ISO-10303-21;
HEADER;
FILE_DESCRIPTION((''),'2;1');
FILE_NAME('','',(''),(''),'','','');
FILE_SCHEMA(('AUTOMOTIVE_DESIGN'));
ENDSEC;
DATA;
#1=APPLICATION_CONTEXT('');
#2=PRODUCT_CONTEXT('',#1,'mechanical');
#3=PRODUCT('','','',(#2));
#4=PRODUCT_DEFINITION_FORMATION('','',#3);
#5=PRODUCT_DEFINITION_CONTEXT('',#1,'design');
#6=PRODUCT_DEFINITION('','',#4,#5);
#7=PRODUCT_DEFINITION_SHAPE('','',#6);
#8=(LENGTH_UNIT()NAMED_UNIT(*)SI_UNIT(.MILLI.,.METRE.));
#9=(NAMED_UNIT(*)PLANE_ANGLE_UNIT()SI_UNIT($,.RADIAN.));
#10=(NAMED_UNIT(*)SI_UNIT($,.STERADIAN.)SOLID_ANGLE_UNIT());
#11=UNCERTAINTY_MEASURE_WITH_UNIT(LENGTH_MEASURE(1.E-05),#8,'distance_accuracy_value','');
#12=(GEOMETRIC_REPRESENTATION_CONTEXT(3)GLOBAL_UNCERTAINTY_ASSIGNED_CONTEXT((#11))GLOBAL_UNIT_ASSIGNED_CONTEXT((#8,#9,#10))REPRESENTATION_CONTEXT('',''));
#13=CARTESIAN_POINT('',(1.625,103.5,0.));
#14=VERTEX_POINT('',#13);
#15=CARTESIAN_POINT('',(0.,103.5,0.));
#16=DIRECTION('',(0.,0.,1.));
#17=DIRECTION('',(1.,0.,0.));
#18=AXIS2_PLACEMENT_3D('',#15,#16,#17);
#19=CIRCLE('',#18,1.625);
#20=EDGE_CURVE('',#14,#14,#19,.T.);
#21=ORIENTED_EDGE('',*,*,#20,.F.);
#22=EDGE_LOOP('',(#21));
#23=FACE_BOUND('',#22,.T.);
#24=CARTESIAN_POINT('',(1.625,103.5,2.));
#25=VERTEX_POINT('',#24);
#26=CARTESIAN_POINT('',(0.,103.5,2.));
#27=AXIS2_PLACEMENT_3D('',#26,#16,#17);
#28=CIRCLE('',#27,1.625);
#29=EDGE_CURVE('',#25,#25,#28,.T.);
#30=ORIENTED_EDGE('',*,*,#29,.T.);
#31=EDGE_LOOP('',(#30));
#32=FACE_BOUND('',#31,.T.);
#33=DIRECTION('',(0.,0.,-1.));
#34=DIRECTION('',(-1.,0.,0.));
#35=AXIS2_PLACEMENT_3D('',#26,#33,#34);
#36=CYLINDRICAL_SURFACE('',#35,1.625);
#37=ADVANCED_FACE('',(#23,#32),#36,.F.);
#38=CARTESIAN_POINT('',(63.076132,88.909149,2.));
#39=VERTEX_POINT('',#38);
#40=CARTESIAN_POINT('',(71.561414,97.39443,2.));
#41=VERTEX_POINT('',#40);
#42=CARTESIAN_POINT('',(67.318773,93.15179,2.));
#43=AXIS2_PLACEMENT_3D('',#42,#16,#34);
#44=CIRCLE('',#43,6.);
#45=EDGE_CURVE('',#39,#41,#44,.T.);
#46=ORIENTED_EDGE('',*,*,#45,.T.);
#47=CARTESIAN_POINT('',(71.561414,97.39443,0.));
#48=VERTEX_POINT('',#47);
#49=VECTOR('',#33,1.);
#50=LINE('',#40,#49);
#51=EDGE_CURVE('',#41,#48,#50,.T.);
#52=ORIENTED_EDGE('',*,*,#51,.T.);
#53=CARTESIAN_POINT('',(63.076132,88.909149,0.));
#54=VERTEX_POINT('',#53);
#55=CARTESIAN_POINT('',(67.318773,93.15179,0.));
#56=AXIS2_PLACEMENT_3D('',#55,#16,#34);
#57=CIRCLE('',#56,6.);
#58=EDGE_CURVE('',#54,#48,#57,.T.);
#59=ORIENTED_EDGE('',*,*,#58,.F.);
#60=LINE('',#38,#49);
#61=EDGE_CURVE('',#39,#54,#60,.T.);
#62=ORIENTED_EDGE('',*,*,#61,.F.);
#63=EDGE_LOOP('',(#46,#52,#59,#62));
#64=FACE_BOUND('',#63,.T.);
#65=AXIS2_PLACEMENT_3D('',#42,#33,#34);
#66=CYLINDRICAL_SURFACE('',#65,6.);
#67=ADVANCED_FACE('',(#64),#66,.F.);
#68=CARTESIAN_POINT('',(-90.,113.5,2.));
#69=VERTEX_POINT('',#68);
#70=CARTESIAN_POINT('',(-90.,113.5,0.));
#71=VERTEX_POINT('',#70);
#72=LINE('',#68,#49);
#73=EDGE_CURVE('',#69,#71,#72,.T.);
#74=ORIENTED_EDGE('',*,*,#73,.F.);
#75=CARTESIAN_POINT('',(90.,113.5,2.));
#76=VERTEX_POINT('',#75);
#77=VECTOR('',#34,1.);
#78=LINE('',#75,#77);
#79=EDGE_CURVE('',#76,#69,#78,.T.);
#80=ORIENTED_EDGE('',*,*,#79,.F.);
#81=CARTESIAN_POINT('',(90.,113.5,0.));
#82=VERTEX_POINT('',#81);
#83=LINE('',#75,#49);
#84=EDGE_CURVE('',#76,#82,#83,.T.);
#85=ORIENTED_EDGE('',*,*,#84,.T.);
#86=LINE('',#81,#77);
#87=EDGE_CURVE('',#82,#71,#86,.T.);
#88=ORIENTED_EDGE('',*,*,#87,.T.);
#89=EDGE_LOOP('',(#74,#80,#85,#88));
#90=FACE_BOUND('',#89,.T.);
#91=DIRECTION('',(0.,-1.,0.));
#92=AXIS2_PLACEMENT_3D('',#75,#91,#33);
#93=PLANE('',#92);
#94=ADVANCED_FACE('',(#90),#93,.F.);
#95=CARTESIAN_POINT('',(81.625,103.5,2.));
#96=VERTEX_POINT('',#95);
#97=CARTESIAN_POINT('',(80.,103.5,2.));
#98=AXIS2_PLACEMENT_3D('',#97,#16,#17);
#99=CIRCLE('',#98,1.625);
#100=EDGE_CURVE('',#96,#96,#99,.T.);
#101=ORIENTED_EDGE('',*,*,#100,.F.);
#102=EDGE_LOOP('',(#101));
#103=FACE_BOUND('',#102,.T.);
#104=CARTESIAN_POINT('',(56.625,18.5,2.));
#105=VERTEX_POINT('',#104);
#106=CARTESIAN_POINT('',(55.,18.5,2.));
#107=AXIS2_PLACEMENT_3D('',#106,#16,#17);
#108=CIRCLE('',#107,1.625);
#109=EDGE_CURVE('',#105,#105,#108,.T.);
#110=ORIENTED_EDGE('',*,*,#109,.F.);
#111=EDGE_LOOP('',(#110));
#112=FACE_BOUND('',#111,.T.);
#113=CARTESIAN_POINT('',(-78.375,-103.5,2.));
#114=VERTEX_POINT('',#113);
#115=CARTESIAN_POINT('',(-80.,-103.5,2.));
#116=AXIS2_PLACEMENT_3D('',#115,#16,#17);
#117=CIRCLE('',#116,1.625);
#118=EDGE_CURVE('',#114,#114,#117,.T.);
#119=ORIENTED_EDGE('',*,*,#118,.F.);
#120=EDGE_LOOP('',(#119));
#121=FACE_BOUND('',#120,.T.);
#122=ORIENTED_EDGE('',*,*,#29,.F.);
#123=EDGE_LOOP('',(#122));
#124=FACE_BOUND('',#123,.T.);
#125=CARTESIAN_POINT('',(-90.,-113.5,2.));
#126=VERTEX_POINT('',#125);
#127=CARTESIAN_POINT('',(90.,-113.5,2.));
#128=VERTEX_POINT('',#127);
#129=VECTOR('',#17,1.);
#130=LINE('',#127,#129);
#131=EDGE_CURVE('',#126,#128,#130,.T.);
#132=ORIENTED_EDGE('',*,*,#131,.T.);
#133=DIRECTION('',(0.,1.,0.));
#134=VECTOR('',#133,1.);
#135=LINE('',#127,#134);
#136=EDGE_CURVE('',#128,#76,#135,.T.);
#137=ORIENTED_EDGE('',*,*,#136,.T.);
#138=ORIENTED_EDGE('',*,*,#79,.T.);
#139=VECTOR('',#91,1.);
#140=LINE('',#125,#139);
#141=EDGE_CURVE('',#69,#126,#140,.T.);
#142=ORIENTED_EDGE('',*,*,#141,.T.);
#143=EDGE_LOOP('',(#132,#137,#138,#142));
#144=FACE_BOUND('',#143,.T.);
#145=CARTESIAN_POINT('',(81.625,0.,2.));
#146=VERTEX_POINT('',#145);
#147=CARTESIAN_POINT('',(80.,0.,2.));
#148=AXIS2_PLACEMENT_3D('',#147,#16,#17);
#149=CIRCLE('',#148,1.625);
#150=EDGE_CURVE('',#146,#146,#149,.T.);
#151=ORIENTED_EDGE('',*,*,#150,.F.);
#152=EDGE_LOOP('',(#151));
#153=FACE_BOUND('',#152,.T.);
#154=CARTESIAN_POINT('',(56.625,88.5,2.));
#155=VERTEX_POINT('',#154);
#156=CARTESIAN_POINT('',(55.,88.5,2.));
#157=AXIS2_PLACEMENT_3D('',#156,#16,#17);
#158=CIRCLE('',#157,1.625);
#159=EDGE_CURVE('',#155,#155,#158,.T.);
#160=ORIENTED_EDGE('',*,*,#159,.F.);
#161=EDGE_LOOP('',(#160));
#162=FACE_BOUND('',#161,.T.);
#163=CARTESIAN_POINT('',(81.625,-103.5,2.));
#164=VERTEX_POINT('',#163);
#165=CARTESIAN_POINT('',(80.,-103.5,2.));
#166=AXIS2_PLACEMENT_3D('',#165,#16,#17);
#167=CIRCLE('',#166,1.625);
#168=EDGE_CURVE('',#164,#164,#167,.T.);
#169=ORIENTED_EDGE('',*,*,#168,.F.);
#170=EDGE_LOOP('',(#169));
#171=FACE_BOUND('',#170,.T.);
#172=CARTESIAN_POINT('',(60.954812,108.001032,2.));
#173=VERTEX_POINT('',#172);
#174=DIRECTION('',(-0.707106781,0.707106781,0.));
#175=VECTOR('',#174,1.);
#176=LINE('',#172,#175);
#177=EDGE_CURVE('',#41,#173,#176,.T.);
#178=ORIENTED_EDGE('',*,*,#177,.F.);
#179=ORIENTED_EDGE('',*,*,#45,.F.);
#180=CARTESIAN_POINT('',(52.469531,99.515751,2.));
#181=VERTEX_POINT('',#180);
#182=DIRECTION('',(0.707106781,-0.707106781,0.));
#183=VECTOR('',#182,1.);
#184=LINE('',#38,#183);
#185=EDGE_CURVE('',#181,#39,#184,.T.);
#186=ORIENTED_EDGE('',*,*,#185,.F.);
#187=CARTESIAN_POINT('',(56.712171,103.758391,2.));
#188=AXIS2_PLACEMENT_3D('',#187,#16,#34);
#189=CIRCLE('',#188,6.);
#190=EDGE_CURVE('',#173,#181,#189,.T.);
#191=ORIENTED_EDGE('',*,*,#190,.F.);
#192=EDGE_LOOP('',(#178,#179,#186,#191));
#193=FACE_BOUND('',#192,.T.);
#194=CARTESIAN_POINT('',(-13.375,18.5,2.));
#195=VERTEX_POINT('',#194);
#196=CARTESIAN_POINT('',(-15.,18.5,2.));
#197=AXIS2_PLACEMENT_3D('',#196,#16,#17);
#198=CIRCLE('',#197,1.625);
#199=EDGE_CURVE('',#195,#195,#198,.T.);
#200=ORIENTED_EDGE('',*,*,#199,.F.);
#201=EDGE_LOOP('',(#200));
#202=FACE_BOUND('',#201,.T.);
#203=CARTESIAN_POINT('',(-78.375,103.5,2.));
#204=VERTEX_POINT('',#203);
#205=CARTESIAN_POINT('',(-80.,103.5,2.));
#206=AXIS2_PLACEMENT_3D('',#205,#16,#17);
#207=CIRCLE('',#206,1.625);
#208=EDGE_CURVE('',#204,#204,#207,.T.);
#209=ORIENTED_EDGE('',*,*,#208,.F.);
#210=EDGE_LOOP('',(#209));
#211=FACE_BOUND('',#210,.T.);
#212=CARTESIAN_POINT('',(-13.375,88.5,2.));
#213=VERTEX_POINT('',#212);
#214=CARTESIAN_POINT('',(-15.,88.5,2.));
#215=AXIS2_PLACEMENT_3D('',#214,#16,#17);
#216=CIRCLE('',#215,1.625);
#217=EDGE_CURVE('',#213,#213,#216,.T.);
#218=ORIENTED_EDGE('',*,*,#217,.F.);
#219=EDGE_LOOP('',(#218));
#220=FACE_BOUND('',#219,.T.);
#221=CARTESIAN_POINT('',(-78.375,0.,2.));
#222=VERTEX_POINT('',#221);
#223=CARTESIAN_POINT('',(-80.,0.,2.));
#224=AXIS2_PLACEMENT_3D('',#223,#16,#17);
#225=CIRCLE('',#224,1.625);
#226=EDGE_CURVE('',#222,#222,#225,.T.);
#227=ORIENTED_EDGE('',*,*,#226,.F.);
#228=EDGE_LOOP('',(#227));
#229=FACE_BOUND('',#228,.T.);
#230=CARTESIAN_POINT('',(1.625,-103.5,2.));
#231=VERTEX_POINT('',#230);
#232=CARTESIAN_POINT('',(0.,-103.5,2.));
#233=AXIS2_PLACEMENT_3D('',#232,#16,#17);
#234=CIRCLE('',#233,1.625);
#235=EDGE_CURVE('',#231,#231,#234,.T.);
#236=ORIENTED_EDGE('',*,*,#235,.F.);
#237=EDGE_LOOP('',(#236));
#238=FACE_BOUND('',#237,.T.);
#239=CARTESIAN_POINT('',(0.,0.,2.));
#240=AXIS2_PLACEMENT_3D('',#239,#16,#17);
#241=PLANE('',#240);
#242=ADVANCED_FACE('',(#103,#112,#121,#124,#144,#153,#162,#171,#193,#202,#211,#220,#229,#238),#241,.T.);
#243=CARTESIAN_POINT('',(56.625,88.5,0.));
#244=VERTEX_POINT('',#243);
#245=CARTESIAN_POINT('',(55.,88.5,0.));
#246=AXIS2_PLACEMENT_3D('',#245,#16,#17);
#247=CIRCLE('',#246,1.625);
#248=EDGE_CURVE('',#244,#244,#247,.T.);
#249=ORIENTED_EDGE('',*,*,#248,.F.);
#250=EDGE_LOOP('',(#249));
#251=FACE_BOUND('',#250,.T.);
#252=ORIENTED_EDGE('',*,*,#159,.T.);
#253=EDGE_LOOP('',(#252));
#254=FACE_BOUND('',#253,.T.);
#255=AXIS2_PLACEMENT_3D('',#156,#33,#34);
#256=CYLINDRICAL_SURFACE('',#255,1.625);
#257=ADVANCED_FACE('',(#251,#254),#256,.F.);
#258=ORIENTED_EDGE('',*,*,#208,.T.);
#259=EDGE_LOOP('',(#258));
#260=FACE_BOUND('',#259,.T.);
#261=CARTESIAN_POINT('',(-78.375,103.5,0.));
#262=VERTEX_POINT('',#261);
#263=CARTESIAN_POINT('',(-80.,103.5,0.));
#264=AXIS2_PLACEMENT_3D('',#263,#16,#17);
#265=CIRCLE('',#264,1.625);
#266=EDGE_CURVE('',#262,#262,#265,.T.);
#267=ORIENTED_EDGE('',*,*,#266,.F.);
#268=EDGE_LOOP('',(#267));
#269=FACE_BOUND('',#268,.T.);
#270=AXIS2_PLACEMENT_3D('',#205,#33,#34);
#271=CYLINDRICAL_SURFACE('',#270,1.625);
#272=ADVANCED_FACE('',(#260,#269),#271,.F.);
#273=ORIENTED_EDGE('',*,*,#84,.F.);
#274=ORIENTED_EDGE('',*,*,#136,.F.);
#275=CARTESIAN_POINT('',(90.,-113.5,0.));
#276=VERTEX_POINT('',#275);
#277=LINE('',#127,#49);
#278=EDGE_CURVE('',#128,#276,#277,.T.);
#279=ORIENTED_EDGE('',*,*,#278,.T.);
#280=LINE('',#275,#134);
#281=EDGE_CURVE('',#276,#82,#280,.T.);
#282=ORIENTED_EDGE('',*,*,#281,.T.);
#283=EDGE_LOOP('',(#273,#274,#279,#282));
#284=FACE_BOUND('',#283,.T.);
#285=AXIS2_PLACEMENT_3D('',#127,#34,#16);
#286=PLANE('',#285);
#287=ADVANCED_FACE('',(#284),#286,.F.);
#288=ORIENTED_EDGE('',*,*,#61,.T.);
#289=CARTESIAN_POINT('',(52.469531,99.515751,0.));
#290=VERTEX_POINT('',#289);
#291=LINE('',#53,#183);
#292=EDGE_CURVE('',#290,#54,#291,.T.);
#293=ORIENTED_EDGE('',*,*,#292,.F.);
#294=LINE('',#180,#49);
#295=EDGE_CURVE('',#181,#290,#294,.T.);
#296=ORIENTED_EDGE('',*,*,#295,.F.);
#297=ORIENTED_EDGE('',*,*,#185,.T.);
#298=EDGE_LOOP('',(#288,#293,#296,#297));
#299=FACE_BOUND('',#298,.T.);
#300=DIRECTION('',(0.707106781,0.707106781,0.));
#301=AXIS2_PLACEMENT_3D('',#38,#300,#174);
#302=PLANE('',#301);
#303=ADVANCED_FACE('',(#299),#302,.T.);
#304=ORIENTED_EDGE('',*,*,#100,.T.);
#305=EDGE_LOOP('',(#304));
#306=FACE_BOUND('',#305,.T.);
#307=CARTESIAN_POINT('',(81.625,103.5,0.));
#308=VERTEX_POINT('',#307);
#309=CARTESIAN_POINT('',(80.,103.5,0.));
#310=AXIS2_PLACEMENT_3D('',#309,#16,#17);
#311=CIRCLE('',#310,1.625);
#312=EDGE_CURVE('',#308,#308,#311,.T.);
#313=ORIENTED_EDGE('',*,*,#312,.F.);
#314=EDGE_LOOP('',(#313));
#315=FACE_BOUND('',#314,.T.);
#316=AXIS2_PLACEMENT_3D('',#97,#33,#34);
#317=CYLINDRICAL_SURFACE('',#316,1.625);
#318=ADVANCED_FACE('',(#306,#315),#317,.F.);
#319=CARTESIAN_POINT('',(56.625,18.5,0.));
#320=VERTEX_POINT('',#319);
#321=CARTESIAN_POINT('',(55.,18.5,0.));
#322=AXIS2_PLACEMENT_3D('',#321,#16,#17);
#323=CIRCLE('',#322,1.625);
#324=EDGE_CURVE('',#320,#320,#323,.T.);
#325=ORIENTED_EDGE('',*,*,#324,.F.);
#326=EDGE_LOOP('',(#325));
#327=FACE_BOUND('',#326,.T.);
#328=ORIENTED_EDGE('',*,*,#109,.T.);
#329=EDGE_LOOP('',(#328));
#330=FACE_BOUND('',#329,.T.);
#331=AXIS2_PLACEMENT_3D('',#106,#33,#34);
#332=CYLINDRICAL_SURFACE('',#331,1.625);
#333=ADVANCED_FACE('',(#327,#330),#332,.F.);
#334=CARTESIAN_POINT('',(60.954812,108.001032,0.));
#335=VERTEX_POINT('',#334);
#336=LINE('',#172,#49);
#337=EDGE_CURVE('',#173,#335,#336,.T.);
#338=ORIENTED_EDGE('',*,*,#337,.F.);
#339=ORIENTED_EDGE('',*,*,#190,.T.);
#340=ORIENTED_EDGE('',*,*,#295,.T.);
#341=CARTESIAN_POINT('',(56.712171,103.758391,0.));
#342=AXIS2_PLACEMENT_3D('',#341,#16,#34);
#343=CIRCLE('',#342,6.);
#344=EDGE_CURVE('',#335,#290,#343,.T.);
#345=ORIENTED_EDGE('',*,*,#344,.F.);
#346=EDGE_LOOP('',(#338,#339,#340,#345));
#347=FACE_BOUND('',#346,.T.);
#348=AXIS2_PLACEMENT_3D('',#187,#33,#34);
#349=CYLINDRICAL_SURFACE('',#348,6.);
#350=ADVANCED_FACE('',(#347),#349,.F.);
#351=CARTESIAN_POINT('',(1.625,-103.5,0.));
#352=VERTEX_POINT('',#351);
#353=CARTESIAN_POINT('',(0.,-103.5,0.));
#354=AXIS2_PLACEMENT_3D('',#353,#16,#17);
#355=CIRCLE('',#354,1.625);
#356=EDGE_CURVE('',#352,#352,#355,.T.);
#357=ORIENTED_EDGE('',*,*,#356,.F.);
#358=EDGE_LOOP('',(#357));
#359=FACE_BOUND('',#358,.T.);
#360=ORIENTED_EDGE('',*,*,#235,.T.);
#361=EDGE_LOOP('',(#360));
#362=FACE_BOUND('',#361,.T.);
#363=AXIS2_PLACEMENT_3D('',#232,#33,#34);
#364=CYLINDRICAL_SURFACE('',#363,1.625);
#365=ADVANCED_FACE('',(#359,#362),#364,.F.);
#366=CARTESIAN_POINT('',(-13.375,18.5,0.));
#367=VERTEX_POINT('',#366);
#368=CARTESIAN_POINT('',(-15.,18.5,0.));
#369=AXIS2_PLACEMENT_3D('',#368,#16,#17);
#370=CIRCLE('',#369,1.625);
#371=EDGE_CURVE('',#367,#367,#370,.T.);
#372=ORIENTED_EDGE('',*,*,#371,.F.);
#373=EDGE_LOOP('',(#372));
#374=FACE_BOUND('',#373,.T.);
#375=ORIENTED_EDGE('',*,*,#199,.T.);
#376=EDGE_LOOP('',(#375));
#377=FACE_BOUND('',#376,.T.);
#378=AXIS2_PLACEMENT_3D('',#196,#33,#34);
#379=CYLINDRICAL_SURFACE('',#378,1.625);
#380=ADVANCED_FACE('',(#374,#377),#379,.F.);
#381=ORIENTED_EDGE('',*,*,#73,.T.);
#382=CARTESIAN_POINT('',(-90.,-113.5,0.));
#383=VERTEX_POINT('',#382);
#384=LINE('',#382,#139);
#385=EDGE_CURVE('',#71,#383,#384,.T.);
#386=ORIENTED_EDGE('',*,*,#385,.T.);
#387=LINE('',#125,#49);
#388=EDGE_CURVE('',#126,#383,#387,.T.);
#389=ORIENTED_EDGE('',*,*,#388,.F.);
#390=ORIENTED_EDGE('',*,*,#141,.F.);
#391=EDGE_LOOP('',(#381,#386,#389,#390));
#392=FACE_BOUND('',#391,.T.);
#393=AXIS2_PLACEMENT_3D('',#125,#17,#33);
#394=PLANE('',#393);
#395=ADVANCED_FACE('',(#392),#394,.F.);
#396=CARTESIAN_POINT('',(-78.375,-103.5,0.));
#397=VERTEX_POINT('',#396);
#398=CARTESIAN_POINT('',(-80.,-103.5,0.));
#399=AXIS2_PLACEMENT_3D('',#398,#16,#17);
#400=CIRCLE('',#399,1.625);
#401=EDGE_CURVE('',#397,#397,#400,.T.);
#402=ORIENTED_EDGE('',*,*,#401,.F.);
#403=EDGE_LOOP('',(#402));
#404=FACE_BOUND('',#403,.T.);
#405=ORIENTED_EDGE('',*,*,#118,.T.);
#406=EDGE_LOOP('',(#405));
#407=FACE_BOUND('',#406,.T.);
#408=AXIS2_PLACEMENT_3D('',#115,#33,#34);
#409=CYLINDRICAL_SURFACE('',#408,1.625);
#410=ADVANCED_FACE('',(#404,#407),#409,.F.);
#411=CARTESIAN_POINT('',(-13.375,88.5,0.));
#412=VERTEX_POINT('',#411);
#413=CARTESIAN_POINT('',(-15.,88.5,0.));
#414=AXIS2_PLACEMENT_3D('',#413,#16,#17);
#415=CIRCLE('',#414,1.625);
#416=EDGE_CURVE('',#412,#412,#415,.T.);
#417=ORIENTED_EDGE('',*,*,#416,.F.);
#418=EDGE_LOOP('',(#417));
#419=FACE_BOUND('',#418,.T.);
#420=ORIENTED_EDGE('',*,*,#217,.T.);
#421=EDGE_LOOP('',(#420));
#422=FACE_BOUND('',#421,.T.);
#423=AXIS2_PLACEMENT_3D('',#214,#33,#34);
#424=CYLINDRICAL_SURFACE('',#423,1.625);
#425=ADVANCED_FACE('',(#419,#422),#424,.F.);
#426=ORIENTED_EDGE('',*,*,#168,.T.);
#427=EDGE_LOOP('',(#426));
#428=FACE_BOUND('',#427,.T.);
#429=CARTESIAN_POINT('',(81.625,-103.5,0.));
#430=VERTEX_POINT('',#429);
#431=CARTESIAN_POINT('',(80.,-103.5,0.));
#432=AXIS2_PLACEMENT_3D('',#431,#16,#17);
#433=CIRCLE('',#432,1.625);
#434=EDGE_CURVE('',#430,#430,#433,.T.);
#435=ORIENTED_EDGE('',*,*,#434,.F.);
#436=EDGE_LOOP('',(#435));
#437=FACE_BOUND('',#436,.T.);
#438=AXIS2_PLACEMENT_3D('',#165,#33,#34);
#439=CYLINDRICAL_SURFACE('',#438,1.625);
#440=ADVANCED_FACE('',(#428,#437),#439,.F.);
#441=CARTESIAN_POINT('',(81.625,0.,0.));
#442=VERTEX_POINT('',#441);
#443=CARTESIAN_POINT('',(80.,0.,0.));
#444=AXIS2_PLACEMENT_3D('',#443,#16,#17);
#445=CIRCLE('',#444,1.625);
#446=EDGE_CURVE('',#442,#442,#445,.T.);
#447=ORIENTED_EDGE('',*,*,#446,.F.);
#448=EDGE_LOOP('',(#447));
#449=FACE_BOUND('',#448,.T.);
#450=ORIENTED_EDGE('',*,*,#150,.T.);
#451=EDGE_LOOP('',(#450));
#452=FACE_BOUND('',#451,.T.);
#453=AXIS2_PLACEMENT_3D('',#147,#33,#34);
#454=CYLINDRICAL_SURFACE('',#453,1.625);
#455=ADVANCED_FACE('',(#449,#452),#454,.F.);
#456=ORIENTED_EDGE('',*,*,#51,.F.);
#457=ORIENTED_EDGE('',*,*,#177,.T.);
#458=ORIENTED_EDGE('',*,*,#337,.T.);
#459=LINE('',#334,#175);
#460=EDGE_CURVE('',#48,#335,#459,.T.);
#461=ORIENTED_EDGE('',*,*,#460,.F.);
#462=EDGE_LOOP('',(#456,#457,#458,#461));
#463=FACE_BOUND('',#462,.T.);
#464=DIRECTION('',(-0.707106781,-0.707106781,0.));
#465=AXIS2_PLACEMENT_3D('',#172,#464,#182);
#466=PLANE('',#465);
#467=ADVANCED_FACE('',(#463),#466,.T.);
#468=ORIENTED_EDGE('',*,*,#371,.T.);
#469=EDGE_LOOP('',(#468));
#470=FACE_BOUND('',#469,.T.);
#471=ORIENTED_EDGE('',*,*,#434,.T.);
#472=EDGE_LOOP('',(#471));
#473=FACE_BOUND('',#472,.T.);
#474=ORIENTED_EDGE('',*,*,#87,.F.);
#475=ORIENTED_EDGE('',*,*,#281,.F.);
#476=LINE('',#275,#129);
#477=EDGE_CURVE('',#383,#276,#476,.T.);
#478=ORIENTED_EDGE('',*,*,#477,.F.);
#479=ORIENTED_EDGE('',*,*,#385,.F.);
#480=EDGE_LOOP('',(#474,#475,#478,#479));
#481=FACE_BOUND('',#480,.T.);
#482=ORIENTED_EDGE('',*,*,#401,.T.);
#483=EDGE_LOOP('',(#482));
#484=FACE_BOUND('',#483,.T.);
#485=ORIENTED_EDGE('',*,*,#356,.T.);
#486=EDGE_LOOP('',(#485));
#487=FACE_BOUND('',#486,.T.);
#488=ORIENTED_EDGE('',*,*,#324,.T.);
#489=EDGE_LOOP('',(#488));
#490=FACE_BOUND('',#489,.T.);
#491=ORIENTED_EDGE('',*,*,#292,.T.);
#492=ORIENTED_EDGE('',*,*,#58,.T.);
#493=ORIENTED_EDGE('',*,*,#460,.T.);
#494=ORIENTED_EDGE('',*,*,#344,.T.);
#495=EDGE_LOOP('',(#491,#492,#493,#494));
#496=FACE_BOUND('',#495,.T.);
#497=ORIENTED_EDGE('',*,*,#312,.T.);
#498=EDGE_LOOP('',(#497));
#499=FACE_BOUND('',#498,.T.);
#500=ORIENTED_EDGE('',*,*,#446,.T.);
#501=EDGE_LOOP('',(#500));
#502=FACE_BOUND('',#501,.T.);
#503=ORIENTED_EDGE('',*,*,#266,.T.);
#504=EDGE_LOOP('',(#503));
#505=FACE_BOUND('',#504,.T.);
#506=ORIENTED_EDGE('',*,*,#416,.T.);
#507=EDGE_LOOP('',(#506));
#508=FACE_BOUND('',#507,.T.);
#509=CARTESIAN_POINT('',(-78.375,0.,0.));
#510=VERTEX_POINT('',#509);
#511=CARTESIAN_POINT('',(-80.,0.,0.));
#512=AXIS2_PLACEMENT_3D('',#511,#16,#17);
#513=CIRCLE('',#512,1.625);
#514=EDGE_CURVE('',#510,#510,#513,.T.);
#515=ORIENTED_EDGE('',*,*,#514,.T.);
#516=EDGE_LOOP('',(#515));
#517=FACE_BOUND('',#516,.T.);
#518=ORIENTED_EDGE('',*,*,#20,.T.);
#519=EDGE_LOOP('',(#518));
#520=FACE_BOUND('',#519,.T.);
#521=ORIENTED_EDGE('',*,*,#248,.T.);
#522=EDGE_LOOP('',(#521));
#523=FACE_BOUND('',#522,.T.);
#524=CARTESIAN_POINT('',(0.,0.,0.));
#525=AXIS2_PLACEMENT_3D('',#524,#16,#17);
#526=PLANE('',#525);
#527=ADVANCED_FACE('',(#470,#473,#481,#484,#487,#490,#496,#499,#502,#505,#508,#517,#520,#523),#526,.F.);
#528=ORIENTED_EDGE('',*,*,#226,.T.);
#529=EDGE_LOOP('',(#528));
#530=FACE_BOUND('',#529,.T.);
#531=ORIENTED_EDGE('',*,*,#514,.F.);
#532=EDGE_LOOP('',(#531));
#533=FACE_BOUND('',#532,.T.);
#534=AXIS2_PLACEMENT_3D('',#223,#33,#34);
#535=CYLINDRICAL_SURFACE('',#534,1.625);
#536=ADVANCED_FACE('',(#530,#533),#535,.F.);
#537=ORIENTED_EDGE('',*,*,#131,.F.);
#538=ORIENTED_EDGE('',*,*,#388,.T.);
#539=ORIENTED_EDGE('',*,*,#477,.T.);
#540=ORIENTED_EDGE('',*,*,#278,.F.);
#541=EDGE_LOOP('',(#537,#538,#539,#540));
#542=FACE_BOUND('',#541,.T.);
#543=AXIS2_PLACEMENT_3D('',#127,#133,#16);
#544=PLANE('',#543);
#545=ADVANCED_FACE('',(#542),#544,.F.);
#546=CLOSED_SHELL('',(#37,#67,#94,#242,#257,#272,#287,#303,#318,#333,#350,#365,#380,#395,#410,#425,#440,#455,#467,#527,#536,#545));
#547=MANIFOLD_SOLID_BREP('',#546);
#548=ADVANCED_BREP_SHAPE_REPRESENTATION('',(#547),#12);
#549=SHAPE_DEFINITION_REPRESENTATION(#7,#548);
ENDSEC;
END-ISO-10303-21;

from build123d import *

# Parameters (mm, degrees)
SKETCH_1_W      = 180
SKETCH_1_H      = 227
SKETCH_1_R      = 1.625
EXTRUDE_1_DEPTH = 2


with BuildPart() as part:
    # 草图1 → 凸台-拉伸1 (new body)
    with BuildSketch(Plane.XY):
        Rectangle(SKETCH_1_W, SKETCH_1_H)
        with Locations((-15, 88.5)):
            Circle(SKETCH_1_R, mode=Mode.SUBTRACT)
        with Locations((55, 88.5)):
            Circle(SKETCH_1_R, mode=Mode.SUBTRACT)
        with Locations((55, 18.5)):
            Circle(SKETCH_1_R, mode=Mode.SUBTRACT)
        with Locations((-15, 18.5)):
            Circle(SKETCH_1_R, mode=Mode.SUBTRACT)
        with Locations((-80, 103.5)):
            Circle(SKETCH_1_R, mode=Mode.SUBTRACT)
        with Locations((0, 103.5)):
            Circle(SKETCH_1_R, mode=Mode.SUBTRACT)
        with Locations((80, 103.5)):
            Circle(SKETCH_1_R, mode=Mode.SUBTRACT)
        with Locations((80, -103.5)):
            Circle(SKETCH_1_R, mode=Mode.SUBTRACT)
        with Locations((0, -103.5)):
            Circle(SKETCH_1_R, mode=Mode.SUBTRACT)
        with Locations((-80, -103.5)):
            Circle(SKETCH_1_R, mode=Mode.SUBTRACT)
        with Locations((80, 0)):
            Circle(SKETCH_1_R, mode=Mode.SUBTRACT)
        with Locations((-80, 0)):
            Circle(SKETCH_1_R, mode=Mode.SUBTRACT)
        with BuildLine():
            Line((63.076132364, 88.90914901), (52.469530647, 99.515750728))
            ThreePointArc((52.469530647, 99.515750728), (52.469530647, 108.001032102), (60.954812021, 108.001032102))
            Line((60.954812021, 108.001032102), (71.561413739, 97.394430384))
            ThreePointArc((71.561413739, 97.394430384), (71.561413739, 88.90914901), (63.076132364, 88.90914901))
        make_face(mode=Mode.SUBTRACT)
    extrude(amount=EXTRUDE_1_DEPTH)


solid = part.part
